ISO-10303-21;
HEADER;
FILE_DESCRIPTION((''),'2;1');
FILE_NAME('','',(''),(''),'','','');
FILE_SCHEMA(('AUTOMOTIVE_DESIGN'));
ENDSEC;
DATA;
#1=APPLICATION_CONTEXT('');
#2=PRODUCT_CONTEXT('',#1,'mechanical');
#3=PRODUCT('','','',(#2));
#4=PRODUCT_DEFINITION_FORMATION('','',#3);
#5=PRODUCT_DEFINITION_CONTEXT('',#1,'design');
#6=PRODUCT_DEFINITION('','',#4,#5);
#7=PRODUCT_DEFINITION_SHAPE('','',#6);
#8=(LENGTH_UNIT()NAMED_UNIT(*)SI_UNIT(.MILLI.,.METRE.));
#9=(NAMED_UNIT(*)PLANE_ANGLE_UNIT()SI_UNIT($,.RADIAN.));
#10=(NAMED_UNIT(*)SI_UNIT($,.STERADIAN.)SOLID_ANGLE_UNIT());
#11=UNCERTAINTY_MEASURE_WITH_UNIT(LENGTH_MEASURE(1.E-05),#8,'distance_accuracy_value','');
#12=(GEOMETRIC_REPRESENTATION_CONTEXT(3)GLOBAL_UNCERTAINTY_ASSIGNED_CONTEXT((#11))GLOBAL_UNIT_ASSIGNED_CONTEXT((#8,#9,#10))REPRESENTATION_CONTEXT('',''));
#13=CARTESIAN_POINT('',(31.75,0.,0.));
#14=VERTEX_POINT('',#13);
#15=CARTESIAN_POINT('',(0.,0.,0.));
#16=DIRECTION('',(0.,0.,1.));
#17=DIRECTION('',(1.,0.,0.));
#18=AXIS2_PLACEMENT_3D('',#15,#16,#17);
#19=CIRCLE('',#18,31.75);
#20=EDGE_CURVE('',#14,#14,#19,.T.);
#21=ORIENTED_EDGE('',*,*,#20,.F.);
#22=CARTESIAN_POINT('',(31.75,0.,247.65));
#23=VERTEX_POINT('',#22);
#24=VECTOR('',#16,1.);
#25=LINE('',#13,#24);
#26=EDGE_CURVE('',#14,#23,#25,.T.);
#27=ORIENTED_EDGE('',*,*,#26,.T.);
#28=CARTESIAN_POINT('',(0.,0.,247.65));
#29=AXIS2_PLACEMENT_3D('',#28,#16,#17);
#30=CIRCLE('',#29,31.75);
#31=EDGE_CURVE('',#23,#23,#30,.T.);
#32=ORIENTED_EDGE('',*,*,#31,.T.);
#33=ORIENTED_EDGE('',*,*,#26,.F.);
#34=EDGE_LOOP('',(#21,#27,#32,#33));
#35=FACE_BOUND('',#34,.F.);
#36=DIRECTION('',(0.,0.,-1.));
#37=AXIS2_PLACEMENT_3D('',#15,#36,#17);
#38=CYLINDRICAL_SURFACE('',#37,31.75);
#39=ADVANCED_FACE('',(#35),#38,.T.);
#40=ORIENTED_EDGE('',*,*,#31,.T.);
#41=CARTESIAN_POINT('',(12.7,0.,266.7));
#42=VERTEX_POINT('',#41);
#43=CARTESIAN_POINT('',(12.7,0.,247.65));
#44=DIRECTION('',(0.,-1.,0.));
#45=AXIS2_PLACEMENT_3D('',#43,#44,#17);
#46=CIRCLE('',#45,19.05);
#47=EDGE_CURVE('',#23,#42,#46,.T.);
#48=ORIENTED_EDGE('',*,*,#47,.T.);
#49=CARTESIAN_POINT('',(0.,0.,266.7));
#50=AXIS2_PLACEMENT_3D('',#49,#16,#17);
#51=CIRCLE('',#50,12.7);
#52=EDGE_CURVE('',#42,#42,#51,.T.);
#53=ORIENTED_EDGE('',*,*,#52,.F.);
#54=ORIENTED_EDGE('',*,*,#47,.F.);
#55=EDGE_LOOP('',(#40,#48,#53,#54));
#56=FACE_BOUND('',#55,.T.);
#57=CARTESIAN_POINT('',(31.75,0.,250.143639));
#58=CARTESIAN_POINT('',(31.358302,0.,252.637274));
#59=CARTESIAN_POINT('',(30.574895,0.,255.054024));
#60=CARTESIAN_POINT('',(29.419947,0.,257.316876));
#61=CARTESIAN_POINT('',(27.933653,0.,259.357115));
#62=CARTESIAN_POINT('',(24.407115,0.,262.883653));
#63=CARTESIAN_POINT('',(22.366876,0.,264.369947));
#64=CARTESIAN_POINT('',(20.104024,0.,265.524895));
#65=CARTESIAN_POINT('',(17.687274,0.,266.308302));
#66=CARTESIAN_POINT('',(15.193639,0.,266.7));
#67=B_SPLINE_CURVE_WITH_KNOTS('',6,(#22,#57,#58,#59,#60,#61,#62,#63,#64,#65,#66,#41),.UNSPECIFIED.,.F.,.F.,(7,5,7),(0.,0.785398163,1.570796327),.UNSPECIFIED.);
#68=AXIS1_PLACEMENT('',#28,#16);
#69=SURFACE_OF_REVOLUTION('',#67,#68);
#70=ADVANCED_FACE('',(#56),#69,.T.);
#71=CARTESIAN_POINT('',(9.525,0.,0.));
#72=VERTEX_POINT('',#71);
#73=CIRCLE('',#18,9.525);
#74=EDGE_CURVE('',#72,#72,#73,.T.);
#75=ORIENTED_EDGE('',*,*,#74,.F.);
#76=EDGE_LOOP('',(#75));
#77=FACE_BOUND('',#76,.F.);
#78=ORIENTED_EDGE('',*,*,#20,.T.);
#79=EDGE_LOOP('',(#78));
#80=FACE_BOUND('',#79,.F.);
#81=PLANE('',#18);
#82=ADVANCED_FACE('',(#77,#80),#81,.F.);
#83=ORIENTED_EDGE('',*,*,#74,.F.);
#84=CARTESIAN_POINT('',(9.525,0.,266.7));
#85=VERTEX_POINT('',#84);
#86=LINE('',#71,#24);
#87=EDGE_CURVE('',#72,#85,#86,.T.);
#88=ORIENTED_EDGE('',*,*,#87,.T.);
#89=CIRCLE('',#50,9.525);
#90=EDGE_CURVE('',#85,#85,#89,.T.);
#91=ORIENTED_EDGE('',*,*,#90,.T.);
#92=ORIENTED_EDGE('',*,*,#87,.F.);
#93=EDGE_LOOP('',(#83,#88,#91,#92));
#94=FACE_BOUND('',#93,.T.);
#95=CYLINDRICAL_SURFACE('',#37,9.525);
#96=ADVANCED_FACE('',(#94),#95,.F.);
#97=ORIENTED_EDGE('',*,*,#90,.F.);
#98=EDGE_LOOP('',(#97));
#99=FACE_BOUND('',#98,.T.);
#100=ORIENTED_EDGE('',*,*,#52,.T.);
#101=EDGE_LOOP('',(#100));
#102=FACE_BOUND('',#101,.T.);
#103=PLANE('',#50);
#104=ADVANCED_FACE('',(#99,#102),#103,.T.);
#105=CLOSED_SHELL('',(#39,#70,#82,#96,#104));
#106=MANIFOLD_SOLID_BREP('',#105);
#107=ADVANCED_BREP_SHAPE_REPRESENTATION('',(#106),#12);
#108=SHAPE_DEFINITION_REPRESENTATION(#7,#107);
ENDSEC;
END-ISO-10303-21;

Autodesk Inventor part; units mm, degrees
ref_plane "YZ Plane" through (0, 0, 0) normal (1, 0, 0) x (0, 1, 0)
ref_plane "XZ Plane" through (0, 0, 0) normal (0, 1, 0) x (-1, 0, 0)
ref_plane "XY Plane" through (0, 0, 0) normal (0, 0, 1) x (1, 0, 0)
sketch "Sketch1" plane through (0, 0, 0) normal (0, 0, 1) x (1, 0, 0)
  circle A0 centre (0, 0) radius 31.75
  circle A1 centre (0, 0) radius 9.525
  dimension "d0" = 63.5
  dimension "d1" = 19.05
extrude "Extrusion1" add sketch "Sketch1" along normal blind 266.7
fillet "Fillet1" radius 19.05 1 edges at (-31.75, 0, 266.7)
properties part number "Pool Noodle Part4 (26x28 robot)"
